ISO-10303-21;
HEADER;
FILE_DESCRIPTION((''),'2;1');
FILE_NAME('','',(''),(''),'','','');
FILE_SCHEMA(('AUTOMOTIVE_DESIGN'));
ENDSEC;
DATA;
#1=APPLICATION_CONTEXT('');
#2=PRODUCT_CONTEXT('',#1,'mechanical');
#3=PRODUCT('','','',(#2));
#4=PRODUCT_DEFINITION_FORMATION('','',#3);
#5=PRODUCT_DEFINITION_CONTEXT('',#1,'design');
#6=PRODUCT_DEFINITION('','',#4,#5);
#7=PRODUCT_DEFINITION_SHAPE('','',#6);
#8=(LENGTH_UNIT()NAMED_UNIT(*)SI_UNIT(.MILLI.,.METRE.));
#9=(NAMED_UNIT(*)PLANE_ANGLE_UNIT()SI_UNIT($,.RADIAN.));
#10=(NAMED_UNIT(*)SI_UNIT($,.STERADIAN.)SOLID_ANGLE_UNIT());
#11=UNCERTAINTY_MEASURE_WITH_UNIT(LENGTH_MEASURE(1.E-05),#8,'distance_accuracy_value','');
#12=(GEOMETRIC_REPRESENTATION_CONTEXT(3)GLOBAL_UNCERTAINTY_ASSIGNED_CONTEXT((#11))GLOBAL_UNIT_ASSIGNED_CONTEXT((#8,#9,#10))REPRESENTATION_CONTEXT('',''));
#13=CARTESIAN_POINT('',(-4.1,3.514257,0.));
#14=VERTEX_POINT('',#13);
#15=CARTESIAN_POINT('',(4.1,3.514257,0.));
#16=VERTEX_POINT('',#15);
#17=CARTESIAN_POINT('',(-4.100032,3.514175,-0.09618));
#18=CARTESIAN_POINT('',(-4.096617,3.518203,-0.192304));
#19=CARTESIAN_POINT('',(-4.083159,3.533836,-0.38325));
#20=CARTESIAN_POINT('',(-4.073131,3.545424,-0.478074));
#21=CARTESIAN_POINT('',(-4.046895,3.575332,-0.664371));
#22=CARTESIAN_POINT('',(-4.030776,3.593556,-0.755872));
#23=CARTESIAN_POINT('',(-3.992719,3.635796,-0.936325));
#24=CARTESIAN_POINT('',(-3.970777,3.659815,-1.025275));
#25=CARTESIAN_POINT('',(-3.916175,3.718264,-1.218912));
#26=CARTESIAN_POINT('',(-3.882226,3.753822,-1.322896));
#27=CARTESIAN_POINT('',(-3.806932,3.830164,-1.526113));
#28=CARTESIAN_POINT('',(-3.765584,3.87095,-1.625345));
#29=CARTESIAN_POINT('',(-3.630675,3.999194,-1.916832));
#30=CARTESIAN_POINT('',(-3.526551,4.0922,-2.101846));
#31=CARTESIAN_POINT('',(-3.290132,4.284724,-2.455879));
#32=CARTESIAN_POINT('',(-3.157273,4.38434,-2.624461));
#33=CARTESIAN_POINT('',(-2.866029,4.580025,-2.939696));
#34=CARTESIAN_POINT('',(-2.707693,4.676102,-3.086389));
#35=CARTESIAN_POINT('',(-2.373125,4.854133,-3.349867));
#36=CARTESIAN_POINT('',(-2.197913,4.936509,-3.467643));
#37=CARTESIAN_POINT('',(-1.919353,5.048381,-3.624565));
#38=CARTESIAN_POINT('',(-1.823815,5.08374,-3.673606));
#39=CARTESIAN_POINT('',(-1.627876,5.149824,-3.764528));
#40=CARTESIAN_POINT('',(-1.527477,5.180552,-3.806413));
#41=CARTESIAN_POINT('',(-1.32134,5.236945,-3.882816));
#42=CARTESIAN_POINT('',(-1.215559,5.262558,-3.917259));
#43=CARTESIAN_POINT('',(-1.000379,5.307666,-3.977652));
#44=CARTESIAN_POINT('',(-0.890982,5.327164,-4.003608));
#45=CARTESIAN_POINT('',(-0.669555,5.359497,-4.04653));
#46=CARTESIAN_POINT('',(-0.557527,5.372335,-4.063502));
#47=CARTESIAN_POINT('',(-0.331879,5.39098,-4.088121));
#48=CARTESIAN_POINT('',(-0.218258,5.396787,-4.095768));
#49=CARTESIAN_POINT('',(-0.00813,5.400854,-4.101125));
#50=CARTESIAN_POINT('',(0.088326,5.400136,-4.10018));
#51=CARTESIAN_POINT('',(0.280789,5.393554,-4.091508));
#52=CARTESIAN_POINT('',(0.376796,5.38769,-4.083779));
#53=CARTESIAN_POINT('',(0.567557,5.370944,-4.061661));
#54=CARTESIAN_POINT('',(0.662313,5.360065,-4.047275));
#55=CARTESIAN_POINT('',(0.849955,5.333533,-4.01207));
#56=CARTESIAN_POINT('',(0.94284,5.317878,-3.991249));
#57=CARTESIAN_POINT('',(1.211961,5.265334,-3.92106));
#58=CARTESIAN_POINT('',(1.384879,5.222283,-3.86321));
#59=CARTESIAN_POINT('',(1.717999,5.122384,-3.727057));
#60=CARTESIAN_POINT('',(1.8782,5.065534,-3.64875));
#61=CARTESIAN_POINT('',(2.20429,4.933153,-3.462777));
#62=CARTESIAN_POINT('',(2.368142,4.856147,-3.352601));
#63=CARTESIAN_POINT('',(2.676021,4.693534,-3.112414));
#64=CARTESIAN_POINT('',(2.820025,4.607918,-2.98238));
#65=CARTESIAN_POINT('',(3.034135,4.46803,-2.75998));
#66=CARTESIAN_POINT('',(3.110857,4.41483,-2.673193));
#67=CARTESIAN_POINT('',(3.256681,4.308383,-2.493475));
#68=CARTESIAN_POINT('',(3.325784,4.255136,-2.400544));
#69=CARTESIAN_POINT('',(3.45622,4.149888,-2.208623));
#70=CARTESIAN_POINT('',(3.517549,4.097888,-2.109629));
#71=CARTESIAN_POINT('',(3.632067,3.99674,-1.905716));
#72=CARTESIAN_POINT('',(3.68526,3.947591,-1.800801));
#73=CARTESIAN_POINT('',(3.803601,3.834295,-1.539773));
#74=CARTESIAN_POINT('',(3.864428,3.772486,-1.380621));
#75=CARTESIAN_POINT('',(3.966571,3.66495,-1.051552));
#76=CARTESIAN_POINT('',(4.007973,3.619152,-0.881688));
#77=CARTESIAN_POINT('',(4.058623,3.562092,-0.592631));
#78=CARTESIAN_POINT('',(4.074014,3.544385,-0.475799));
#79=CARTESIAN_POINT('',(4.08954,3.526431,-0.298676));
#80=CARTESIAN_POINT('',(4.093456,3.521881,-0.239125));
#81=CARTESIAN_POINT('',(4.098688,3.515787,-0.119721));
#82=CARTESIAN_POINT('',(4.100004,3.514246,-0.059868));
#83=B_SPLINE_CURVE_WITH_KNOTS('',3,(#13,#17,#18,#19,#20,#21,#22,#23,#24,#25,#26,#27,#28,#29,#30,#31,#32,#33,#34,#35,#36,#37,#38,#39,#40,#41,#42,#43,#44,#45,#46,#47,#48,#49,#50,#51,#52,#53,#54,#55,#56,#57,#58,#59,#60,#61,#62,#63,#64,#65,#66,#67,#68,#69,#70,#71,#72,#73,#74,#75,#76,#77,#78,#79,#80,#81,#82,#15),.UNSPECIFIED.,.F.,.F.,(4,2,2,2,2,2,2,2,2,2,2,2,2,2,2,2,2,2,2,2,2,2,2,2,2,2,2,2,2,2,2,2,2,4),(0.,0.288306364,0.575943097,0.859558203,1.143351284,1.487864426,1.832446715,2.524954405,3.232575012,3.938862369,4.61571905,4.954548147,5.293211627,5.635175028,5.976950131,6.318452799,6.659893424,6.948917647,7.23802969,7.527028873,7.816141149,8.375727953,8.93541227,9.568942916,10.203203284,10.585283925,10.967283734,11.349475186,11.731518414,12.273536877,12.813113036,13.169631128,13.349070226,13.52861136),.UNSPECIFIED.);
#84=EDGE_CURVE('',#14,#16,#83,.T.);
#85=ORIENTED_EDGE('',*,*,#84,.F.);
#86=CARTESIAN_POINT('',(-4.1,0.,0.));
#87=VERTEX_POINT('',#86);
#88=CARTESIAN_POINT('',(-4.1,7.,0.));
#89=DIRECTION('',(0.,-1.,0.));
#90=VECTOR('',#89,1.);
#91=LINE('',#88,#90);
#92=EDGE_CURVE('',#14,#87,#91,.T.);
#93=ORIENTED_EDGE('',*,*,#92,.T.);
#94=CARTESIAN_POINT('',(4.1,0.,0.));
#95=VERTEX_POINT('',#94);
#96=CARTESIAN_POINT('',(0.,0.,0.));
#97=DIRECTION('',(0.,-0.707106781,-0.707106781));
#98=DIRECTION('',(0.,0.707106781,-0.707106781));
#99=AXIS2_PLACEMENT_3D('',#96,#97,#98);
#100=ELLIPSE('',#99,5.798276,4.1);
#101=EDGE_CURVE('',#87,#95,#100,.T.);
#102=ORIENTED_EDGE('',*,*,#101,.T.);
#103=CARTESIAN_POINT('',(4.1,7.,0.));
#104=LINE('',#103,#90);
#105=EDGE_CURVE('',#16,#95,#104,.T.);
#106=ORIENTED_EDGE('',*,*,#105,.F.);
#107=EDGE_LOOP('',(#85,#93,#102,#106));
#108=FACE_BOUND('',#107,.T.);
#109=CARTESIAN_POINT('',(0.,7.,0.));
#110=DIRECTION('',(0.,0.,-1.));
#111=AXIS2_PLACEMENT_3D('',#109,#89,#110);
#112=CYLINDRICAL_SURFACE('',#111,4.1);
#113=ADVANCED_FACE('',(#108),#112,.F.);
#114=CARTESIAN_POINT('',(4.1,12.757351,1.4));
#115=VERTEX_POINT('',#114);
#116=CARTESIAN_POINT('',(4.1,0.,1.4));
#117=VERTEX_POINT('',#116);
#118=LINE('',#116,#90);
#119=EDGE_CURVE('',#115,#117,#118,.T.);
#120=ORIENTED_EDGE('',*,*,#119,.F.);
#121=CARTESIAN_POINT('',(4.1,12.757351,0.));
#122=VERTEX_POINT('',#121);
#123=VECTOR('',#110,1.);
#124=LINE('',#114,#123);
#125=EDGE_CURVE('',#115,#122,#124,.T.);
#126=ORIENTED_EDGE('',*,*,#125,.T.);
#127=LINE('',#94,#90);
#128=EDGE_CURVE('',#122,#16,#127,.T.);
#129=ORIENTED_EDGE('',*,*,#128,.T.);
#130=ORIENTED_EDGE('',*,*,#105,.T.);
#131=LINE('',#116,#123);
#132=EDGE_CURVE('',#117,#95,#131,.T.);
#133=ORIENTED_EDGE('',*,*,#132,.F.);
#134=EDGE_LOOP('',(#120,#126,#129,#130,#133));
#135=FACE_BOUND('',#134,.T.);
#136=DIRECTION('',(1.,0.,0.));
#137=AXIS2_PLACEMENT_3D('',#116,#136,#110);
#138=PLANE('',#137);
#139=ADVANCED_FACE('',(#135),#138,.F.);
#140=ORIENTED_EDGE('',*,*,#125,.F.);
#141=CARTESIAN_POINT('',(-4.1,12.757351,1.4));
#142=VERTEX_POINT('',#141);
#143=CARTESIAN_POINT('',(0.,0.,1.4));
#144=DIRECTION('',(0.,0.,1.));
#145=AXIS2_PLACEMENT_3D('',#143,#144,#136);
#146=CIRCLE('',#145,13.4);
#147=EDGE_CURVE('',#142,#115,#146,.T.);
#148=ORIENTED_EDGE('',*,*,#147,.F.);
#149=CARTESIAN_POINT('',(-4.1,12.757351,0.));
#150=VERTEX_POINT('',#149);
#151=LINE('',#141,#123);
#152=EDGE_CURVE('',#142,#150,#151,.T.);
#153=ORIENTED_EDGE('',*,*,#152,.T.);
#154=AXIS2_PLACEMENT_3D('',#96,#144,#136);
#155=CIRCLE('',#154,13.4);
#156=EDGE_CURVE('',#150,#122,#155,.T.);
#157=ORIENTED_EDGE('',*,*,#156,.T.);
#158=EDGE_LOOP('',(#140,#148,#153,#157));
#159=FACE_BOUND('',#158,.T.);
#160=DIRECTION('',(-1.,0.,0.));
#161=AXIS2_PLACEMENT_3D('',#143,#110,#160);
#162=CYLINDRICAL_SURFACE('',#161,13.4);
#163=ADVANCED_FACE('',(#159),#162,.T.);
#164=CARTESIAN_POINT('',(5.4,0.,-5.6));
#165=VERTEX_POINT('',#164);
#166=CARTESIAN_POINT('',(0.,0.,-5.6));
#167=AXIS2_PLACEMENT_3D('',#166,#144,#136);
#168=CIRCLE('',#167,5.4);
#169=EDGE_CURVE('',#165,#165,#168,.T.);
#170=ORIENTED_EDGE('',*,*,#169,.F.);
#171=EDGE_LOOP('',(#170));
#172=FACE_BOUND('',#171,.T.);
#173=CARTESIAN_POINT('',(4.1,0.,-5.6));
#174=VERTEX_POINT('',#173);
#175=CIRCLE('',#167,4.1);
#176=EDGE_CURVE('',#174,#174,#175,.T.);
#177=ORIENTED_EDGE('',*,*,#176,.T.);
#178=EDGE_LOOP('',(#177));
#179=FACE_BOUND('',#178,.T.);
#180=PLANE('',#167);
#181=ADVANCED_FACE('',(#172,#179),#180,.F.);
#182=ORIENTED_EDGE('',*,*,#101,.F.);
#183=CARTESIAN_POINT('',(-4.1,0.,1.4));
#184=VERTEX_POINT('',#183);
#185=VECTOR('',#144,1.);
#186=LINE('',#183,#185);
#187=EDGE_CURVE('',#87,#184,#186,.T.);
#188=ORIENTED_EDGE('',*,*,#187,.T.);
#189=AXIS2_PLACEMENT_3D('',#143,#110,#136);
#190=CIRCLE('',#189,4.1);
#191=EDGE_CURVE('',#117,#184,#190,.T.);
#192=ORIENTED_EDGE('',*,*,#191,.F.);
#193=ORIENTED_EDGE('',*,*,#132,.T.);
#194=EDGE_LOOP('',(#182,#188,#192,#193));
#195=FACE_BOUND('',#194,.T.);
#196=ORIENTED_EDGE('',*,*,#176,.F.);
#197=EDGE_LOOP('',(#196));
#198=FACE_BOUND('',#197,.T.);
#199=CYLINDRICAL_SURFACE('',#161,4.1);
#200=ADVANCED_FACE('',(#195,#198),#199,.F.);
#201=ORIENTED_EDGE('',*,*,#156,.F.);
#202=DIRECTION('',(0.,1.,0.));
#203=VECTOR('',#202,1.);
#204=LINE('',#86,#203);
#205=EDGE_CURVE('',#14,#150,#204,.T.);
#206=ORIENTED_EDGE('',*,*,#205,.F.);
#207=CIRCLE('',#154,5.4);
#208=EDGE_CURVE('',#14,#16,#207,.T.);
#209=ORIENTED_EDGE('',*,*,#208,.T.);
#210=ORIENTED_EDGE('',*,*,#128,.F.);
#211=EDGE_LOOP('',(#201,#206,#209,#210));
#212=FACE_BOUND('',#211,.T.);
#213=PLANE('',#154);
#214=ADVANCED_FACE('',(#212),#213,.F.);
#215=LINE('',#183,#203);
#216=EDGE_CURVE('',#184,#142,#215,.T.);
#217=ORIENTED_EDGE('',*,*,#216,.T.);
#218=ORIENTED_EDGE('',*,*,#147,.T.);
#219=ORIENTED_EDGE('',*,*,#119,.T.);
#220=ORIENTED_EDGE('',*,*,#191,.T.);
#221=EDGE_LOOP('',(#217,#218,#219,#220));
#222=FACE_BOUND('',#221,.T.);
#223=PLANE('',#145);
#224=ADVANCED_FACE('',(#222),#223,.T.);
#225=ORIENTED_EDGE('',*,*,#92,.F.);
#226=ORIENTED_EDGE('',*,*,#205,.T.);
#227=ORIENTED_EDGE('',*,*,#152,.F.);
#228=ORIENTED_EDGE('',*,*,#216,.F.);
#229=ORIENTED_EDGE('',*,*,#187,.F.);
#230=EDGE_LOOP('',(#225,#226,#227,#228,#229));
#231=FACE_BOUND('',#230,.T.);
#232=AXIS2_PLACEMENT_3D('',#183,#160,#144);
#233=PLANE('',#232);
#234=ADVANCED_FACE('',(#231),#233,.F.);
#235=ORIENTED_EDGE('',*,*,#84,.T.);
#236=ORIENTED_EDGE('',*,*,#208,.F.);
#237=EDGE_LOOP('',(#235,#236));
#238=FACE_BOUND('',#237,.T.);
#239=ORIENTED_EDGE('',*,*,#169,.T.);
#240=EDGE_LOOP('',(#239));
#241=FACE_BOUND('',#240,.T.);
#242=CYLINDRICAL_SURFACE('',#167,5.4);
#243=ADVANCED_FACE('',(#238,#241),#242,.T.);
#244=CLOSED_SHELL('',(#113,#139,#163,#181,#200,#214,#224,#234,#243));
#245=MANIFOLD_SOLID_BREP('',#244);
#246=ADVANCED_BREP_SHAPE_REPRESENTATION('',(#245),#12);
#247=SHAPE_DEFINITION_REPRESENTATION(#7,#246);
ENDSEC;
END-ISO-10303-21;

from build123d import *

# Parameters (mm, degrees)
BOSS_EXTRU_1_DEPTH      = 1.4
BOSS_EXTRU_2_START      = -7
ESQUISSE2_R             = 5.4
ESQUISSE2_R_2           = 4.1
BOSS_EXTRU_2_DEPTH      = 7
ENL_V_MAT_EXTRU_1_DEPTH = 7


with BuildPart() as part:
    # Esquisse1 → Boss.-Extru.1 (new body)
    with BuildSketch(Plane.XY):
        with BuildLine():
            Line((4.1, 0), (4.1, 12.757350822))
            ThreePointArc((4.1, 12.757350822), (0, -13.4), (-4.1, 12.757350822))
            Line((-4.1, 12.757350822), (-4.1, 0))
            ThreePointArc((-4.1, 0), (0, -4.1), (4.1, 0))
        make_face()
    extrude(amount=BOSS_EXTRU_1_DEPTH)

    # Esquisse2 → Boss.-Extru.2 (add)
    with BuildSketch(Plane.XY.offset(1.4).offset(BOSS_EXTRU_2_START)):
        Circle(ESQUISSE2_R)
        Circle(ESQUISSE2_R_2, mode=Mode.SUBTRACT)
    extrude(amount=BOSS_EXTRU_2_DEPTH)

    # Esquisse3 → Enlèv. mat.-Extru.1 (cut)
    with BuildSketch(Plane(origin=(0, 0, 0), x_dir=(1, 0, 0), z_dir=(0, 1, 0))):
        with BuildLine():
            Line((-4.1, -1.4), (-4.1, 0))
            ThreePointArc((-4.1, 0), (0, 4.1), (4.1, 0))
            Line((4.1, 0), (4.1, -1.4))
            Line((4.1, -1.4), (-4.1, -1.4))
        make_face()
    extrude(amount=ENL_V_MAT_EXTRU_1_DEPTH, mode=Mode.SUBTRACT)


solid = part.part
